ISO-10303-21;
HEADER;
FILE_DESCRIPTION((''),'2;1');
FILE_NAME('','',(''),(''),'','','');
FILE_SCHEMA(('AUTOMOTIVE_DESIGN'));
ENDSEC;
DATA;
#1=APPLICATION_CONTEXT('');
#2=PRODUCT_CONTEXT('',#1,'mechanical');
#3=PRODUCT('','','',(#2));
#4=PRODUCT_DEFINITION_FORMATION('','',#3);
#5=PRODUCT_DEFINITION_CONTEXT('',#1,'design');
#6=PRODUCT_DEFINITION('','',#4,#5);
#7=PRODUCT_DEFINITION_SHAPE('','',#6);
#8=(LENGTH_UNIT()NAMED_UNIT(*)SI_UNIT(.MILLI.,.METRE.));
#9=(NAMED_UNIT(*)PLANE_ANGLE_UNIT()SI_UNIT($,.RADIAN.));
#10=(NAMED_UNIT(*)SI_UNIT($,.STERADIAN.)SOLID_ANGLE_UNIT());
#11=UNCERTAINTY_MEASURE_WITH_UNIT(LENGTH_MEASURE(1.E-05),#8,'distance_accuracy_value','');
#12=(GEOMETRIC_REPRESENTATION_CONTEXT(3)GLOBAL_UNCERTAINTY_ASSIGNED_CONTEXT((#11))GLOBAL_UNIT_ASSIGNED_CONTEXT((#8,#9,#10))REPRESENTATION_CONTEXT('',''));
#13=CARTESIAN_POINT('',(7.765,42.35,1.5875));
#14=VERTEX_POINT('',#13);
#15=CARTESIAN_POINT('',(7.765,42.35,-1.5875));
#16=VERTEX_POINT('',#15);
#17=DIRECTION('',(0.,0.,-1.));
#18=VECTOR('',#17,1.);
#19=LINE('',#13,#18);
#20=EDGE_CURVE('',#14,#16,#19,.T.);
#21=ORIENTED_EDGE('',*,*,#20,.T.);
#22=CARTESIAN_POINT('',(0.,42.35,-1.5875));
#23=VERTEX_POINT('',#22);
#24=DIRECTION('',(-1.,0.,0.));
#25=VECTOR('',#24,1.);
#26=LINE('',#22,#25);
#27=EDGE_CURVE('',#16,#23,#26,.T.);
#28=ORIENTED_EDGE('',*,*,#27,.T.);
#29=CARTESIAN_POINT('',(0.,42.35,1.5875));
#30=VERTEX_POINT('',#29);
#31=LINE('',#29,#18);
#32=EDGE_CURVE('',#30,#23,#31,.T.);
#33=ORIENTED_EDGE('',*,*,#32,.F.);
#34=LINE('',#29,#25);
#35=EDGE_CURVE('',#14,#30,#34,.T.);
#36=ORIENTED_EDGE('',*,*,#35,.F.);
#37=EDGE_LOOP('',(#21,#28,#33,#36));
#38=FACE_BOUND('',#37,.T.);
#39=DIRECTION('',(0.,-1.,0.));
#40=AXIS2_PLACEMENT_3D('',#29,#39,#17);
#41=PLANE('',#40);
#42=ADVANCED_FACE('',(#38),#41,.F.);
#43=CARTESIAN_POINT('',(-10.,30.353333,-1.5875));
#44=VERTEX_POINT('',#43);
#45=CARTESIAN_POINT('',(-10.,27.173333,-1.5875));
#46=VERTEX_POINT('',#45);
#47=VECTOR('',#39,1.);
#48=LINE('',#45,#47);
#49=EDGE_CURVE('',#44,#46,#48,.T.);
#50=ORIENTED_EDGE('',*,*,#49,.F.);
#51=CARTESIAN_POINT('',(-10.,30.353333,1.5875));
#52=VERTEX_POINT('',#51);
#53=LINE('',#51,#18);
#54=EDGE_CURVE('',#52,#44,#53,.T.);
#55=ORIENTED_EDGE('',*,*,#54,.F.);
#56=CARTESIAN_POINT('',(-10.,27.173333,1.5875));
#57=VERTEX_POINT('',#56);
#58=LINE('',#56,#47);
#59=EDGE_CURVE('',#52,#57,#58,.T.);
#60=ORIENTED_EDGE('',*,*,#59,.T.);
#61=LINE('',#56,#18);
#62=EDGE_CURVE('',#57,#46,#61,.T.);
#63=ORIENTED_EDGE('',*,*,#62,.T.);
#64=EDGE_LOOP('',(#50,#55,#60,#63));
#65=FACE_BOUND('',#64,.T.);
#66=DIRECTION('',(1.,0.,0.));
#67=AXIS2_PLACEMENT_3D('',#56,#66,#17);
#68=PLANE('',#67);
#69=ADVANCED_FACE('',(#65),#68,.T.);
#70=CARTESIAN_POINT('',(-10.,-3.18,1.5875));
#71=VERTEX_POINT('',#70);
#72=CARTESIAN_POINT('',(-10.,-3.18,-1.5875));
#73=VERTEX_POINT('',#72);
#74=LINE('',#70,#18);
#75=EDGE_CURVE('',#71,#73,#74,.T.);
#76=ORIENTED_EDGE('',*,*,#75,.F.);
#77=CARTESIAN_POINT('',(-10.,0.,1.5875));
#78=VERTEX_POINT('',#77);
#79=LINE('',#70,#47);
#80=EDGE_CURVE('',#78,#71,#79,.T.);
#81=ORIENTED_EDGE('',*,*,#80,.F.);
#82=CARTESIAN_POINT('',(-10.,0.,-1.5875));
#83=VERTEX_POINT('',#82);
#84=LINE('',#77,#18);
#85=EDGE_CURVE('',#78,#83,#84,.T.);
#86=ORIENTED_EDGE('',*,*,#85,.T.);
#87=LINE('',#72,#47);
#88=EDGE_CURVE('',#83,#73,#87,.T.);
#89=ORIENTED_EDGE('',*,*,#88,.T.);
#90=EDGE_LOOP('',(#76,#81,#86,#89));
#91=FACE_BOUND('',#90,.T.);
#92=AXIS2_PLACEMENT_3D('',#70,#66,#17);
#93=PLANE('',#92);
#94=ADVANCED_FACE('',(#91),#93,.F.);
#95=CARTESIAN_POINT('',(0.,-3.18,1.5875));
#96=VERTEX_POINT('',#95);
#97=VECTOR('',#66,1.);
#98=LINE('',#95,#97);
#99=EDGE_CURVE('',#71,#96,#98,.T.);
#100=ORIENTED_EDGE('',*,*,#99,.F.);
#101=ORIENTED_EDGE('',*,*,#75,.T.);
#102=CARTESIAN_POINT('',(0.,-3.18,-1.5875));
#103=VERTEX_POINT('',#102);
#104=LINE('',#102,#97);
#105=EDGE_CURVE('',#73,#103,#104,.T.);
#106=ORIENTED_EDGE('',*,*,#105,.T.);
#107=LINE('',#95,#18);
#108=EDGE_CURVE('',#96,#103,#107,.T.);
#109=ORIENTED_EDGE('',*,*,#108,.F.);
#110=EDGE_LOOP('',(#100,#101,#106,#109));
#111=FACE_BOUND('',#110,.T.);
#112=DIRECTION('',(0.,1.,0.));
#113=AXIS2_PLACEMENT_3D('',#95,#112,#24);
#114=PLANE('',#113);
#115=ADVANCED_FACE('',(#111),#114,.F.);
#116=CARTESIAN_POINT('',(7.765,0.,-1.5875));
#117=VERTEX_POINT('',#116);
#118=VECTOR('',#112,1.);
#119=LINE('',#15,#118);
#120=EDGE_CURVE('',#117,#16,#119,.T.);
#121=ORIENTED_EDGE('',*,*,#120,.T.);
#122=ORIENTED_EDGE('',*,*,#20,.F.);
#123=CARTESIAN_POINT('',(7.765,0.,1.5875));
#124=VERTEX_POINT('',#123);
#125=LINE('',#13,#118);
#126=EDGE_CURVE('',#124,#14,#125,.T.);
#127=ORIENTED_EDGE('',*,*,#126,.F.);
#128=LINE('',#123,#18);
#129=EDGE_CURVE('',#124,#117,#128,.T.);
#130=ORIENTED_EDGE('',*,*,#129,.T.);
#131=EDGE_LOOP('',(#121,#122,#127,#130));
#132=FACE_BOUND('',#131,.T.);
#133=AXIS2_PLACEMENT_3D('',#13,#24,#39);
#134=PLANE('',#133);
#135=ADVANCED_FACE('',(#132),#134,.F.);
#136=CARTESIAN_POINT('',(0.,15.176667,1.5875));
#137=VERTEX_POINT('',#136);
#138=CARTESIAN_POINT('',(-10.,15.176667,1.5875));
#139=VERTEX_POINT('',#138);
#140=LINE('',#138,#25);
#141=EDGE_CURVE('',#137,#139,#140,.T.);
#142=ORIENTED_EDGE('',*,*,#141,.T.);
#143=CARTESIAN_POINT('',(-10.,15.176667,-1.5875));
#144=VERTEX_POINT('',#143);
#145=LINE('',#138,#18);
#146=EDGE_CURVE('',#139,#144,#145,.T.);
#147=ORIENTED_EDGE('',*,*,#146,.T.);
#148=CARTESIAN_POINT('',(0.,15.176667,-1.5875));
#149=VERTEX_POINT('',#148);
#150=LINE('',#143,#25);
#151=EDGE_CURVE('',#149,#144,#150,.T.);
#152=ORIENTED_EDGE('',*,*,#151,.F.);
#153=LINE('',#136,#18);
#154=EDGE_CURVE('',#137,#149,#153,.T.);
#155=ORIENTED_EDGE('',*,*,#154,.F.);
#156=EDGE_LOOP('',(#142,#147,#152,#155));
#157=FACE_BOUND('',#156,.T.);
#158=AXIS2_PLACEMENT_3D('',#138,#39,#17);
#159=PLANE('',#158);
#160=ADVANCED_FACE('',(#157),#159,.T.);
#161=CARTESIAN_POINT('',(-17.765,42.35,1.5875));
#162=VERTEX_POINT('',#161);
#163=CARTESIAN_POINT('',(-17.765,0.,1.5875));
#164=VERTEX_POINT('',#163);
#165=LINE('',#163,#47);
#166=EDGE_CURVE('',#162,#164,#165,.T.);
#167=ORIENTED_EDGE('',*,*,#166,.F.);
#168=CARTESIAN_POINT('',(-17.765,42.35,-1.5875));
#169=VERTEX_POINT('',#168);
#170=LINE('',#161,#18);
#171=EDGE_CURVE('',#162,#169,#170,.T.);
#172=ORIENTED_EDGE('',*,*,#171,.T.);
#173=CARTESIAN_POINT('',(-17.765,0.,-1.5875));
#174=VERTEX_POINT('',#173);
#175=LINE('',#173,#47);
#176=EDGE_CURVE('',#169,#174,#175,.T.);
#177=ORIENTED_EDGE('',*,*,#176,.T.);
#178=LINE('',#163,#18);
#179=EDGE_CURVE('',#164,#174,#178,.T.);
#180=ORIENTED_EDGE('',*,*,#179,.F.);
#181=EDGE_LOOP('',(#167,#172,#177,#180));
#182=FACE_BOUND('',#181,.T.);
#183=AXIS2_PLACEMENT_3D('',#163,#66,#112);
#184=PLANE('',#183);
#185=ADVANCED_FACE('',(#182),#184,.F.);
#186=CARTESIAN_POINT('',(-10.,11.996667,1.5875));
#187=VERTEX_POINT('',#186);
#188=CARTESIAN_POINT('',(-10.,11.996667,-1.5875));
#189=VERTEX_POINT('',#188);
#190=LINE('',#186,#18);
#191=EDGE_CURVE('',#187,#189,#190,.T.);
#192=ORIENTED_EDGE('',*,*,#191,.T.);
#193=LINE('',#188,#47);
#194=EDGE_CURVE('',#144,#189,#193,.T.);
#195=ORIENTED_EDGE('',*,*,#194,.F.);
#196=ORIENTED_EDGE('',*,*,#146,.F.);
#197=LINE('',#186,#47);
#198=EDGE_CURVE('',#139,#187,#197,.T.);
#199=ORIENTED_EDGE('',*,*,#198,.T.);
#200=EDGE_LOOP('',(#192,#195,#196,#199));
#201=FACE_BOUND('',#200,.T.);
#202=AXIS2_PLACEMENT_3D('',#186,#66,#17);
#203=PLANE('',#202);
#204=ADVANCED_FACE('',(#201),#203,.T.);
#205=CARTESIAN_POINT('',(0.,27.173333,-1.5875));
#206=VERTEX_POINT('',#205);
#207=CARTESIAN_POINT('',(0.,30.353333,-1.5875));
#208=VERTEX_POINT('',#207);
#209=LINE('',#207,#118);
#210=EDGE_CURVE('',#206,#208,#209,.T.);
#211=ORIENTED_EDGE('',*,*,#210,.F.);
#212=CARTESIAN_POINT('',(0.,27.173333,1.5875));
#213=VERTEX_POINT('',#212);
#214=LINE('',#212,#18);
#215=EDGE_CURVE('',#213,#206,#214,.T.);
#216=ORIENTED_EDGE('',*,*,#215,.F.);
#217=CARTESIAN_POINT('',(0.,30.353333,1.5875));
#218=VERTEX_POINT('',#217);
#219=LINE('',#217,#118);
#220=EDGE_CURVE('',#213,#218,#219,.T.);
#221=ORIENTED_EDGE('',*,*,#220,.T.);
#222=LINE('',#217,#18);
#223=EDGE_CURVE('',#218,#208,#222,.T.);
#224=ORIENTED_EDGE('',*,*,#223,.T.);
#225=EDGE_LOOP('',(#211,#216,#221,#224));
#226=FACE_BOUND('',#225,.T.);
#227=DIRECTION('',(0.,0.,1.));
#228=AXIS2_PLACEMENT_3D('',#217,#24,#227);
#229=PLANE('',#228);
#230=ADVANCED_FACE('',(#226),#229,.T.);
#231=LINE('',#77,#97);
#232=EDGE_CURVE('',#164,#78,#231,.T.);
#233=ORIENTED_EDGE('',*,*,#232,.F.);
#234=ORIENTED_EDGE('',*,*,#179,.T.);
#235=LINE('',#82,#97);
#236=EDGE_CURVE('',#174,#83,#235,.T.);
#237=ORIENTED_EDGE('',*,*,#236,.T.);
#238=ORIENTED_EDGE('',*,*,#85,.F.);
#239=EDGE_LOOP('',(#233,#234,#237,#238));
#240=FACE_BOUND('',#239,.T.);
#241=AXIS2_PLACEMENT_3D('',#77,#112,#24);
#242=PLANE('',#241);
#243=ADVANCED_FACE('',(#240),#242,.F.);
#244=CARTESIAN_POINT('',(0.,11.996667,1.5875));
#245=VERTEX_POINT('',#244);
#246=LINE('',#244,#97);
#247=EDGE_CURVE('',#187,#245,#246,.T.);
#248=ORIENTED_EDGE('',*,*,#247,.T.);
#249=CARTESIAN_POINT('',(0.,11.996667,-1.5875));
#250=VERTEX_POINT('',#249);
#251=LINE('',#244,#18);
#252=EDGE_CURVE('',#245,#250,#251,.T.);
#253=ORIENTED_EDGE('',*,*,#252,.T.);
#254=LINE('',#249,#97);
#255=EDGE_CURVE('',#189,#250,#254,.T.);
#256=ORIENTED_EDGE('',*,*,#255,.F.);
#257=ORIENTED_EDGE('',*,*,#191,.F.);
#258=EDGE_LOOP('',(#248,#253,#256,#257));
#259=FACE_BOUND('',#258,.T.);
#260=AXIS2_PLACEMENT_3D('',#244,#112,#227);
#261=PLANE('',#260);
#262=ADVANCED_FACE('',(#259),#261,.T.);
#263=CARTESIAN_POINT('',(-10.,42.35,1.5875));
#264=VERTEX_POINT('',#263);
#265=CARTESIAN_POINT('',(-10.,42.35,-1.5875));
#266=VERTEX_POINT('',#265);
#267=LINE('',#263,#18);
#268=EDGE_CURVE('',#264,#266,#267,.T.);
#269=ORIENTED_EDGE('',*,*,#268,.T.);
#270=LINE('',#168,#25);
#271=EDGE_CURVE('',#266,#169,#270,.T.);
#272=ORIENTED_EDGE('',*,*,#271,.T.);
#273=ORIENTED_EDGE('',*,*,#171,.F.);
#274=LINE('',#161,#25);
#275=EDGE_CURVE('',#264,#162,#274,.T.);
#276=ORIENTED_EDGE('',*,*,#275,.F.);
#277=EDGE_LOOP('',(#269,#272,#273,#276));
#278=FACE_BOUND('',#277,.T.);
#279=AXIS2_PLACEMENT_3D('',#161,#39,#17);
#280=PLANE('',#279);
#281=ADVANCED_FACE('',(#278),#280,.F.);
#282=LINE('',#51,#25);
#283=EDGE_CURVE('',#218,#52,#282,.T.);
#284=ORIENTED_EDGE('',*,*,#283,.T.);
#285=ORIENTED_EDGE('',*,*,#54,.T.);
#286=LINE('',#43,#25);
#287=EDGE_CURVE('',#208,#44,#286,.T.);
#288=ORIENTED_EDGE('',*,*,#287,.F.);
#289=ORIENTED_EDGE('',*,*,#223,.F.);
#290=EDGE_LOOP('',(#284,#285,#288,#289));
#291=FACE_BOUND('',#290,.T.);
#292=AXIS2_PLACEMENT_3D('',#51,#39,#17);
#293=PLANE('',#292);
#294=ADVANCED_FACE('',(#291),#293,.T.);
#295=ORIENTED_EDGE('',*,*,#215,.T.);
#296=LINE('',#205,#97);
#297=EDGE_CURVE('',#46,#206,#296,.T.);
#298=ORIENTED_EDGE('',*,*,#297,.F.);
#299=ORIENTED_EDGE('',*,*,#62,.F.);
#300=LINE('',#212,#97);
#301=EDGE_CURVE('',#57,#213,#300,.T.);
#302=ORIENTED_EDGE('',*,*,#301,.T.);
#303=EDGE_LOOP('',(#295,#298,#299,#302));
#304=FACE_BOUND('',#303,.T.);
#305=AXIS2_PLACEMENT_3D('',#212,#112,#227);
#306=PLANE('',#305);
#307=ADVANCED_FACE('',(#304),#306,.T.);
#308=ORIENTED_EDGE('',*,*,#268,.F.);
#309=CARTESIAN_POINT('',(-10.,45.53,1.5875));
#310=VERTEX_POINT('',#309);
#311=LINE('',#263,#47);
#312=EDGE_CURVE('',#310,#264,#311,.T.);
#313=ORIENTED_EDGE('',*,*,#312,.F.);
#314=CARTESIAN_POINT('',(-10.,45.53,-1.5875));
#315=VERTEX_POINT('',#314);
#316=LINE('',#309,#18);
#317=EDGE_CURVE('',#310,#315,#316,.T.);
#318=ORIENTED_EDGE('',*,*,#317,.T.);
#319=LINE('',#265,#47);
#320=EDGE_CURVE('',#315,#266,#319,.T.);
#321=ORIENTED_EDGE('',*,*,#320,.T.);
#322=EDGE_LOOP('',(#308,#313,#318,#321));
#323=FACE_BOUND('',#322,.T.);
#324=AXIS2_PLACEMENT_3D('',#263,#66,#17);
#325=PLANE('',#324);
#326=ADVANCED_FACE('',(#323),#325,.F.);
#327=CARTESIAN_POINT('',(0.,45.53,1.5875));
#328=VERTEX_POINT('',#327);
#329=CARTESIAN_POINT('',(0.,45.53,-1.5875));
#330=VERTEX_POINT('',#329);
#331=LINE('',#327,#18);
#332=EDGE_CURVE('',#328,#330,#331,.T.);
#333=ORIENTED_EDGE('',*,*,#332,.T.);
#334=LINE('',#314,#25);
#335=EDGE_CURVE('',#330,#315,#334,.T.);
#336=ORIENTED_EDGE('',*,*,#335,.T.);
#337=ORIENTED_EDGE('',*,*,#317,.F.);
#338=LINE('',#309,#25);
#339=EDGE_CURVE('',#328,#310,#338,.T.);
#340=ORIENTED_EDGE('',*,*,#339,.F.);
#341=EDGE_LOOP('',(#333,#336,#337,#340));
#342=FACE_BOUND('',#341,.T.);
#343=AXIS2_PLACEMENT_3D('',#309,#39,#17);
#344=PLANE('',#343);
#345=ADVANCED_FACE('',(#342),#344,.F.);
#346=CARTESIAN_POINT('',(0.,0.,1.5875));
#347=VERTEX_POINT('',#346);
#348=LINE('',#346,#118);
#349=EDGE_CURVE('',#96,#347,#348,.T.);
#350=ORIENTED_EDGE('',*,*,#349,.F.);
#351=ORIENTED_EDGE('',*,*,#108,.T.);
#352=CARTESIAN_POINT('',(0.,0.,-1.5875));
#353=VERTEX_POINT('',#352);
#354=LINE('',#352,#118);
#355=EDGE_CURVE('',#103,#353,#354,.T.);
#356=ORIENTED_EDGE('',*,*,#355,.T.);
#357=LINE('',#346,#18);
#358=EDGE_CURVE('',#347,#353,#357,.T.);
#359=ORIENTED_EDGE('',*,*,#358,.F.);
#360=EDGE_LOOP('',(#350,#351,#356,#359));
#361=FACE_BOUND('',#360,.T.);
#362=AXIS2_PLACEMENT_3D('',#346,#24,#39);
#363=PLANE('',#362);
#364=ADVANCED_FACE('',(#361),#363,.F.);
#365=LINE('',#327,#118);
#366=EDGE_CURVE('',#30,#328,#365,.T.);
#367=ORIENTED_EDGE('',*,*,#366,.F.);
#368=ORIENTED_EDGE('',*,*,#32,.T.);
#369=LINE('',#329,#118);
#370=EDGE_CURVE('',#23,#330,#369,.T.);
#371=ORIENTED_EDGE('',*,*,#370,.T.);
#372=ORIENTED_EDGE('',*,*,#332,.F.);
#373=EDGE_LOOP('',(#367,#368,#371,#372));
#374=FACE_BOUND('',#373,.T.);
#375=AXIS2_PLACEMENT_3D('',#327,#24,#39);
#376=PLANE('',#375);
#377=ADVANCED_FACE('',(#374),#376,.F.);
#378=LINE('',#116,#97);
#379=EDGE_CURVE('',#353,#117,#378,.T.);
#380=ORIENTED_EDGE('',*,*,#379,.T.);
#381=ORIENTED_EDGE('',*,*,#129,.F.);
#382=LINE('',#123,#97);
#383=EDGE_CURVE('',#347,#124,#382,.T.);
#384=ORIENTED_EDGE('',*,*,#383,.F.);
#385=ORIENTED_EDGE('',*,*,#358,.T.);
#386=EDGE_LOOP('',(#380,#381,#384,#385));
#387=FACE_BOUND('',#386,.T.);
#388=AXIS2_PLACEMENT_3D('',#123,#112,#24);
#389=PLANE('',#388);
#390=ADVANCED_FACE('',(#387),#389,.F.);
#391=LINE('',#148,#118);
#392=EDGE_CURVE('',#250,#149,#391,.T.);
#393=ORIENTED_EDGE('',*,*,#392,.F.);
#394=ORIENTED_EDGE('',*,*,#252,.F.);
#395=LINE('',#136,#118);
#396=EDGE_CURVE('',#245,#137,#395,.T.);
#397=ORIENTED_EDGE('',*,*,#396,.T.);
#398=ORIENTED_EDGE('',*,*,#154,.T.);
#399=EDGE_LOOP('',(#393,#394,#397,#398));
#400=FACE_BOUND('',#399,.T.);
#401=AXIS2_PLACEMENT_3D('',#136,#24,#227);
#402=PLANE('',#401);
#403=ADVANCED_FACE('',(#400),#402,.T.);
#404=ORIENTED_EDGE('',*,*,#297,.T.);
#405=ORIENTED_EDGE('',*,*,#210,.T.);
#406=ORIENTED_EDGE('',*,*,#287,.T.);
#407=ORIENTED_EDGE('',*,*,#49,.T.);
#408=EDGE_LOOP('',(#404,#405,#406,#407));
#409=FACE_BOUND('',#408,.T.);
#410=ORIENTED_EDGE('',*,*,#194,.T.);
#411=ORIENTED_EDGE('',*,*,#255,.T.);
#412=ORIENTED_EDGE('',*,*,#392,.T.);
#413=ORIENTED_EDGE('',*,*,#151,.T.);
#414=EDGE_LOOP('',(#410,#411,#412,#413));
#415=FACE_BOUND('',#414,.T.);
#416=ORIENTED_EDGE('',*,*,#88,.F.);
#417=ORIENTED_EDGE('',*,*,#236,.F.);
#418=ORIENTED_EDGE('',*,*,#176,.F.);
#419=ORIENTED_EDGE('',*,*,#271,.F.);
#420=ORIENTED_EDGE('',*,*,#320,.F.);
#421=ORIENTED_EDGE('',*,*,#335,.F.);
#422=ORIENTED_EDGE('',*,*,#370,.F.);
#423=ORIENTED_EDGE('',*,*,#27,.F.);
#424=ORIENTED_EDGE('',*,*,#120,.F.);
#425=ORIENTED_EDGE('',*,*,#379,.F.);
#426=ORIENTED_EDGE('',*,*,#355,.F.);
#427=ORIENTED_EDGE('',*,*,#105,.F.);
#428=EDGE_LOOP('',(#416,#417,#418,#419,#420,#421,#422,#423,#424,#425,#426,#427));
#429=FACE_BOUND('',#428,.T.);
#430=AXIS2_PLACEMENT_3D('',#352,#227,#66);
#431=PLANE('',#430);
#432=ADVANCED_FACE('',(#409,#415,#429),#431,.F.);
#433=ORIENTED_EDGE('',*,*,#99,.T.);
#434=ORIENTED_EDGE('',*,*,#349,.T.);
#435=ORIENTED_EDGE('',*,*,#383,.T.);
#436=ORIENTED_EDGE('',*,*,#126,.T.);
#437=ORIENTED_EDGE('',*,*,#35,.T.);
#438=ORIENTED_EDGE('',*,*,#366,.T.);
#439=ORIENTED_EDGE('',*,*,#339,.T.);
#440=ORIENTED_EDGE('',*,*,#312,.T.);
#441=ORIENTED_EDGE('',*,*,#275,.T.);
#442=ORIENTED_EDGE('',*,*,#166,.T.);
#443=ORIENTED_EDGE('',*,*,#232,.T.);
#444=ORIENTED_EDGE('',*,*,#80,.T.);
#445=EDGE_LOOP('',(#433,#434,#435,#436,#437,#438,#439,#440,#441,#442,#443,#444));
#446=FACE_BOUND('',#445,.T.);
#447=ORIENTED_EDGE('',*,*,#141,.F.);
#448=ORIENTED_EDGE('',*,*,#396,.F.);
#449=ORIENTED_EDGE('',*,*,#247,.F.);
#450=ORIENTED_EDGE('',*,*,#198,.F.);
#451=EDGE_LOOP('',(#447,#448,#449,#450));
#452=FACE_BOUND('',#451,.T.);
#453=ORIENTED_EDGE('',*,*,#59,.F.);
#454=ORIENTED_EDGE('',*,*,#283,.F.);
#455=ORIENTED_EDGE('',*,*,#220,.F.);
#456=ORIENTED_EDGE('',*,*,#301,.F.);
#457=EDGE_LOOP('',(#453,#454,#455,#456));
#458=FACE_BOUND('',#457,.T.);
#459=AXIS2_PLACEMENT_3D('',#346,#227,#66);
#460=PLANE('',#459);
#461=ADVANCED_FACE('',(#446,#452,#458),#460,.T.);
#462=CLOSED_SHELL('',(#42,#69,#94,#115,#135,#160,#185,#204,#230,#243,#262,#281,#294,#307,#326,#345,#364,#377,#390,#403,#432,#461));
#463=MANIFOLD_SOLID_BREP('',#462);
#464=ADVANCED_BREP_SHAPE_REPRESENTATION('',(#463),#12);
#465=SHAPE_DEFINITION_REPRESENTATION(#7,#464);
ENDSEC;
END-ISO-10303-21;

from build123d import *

# Parameters (mm, degrees)
SKETCH1_W           = 10
SKETCH1_H           = 3.18
BOSS_EXTRUDE1_DEPTH = 1.5875


with BuildPart() as part:
    # Sketch1 → Boss-Extrude1 (new, symmetric)
    with BuildSketch(Plane.XY):
        Polygon((0, 0), (0, -3.18), (-10, -3.18), (-10, 0), (-17.765, 0), (-17.765, 42.35), (-10, 42.35), (-10, 45.53), (0, 45.53), (0, 42.35), (7.765, 42.35), (7.765, 0), align=None)
        with Locations((-5, 13.586666667)):
            Rectangle(SKETCH1_W, SKETCH1_H, mode=Mode.SUBTRACT)
        with Locations((-5, 28.763333333)):
            Rectangle(SKETCH1_W, SKETCH1_H, mode=Mode.SUBTRACT)
    extrude(amount=BOSS_EXTRUDE1_DEPTH, both=True)


solid = part.part
